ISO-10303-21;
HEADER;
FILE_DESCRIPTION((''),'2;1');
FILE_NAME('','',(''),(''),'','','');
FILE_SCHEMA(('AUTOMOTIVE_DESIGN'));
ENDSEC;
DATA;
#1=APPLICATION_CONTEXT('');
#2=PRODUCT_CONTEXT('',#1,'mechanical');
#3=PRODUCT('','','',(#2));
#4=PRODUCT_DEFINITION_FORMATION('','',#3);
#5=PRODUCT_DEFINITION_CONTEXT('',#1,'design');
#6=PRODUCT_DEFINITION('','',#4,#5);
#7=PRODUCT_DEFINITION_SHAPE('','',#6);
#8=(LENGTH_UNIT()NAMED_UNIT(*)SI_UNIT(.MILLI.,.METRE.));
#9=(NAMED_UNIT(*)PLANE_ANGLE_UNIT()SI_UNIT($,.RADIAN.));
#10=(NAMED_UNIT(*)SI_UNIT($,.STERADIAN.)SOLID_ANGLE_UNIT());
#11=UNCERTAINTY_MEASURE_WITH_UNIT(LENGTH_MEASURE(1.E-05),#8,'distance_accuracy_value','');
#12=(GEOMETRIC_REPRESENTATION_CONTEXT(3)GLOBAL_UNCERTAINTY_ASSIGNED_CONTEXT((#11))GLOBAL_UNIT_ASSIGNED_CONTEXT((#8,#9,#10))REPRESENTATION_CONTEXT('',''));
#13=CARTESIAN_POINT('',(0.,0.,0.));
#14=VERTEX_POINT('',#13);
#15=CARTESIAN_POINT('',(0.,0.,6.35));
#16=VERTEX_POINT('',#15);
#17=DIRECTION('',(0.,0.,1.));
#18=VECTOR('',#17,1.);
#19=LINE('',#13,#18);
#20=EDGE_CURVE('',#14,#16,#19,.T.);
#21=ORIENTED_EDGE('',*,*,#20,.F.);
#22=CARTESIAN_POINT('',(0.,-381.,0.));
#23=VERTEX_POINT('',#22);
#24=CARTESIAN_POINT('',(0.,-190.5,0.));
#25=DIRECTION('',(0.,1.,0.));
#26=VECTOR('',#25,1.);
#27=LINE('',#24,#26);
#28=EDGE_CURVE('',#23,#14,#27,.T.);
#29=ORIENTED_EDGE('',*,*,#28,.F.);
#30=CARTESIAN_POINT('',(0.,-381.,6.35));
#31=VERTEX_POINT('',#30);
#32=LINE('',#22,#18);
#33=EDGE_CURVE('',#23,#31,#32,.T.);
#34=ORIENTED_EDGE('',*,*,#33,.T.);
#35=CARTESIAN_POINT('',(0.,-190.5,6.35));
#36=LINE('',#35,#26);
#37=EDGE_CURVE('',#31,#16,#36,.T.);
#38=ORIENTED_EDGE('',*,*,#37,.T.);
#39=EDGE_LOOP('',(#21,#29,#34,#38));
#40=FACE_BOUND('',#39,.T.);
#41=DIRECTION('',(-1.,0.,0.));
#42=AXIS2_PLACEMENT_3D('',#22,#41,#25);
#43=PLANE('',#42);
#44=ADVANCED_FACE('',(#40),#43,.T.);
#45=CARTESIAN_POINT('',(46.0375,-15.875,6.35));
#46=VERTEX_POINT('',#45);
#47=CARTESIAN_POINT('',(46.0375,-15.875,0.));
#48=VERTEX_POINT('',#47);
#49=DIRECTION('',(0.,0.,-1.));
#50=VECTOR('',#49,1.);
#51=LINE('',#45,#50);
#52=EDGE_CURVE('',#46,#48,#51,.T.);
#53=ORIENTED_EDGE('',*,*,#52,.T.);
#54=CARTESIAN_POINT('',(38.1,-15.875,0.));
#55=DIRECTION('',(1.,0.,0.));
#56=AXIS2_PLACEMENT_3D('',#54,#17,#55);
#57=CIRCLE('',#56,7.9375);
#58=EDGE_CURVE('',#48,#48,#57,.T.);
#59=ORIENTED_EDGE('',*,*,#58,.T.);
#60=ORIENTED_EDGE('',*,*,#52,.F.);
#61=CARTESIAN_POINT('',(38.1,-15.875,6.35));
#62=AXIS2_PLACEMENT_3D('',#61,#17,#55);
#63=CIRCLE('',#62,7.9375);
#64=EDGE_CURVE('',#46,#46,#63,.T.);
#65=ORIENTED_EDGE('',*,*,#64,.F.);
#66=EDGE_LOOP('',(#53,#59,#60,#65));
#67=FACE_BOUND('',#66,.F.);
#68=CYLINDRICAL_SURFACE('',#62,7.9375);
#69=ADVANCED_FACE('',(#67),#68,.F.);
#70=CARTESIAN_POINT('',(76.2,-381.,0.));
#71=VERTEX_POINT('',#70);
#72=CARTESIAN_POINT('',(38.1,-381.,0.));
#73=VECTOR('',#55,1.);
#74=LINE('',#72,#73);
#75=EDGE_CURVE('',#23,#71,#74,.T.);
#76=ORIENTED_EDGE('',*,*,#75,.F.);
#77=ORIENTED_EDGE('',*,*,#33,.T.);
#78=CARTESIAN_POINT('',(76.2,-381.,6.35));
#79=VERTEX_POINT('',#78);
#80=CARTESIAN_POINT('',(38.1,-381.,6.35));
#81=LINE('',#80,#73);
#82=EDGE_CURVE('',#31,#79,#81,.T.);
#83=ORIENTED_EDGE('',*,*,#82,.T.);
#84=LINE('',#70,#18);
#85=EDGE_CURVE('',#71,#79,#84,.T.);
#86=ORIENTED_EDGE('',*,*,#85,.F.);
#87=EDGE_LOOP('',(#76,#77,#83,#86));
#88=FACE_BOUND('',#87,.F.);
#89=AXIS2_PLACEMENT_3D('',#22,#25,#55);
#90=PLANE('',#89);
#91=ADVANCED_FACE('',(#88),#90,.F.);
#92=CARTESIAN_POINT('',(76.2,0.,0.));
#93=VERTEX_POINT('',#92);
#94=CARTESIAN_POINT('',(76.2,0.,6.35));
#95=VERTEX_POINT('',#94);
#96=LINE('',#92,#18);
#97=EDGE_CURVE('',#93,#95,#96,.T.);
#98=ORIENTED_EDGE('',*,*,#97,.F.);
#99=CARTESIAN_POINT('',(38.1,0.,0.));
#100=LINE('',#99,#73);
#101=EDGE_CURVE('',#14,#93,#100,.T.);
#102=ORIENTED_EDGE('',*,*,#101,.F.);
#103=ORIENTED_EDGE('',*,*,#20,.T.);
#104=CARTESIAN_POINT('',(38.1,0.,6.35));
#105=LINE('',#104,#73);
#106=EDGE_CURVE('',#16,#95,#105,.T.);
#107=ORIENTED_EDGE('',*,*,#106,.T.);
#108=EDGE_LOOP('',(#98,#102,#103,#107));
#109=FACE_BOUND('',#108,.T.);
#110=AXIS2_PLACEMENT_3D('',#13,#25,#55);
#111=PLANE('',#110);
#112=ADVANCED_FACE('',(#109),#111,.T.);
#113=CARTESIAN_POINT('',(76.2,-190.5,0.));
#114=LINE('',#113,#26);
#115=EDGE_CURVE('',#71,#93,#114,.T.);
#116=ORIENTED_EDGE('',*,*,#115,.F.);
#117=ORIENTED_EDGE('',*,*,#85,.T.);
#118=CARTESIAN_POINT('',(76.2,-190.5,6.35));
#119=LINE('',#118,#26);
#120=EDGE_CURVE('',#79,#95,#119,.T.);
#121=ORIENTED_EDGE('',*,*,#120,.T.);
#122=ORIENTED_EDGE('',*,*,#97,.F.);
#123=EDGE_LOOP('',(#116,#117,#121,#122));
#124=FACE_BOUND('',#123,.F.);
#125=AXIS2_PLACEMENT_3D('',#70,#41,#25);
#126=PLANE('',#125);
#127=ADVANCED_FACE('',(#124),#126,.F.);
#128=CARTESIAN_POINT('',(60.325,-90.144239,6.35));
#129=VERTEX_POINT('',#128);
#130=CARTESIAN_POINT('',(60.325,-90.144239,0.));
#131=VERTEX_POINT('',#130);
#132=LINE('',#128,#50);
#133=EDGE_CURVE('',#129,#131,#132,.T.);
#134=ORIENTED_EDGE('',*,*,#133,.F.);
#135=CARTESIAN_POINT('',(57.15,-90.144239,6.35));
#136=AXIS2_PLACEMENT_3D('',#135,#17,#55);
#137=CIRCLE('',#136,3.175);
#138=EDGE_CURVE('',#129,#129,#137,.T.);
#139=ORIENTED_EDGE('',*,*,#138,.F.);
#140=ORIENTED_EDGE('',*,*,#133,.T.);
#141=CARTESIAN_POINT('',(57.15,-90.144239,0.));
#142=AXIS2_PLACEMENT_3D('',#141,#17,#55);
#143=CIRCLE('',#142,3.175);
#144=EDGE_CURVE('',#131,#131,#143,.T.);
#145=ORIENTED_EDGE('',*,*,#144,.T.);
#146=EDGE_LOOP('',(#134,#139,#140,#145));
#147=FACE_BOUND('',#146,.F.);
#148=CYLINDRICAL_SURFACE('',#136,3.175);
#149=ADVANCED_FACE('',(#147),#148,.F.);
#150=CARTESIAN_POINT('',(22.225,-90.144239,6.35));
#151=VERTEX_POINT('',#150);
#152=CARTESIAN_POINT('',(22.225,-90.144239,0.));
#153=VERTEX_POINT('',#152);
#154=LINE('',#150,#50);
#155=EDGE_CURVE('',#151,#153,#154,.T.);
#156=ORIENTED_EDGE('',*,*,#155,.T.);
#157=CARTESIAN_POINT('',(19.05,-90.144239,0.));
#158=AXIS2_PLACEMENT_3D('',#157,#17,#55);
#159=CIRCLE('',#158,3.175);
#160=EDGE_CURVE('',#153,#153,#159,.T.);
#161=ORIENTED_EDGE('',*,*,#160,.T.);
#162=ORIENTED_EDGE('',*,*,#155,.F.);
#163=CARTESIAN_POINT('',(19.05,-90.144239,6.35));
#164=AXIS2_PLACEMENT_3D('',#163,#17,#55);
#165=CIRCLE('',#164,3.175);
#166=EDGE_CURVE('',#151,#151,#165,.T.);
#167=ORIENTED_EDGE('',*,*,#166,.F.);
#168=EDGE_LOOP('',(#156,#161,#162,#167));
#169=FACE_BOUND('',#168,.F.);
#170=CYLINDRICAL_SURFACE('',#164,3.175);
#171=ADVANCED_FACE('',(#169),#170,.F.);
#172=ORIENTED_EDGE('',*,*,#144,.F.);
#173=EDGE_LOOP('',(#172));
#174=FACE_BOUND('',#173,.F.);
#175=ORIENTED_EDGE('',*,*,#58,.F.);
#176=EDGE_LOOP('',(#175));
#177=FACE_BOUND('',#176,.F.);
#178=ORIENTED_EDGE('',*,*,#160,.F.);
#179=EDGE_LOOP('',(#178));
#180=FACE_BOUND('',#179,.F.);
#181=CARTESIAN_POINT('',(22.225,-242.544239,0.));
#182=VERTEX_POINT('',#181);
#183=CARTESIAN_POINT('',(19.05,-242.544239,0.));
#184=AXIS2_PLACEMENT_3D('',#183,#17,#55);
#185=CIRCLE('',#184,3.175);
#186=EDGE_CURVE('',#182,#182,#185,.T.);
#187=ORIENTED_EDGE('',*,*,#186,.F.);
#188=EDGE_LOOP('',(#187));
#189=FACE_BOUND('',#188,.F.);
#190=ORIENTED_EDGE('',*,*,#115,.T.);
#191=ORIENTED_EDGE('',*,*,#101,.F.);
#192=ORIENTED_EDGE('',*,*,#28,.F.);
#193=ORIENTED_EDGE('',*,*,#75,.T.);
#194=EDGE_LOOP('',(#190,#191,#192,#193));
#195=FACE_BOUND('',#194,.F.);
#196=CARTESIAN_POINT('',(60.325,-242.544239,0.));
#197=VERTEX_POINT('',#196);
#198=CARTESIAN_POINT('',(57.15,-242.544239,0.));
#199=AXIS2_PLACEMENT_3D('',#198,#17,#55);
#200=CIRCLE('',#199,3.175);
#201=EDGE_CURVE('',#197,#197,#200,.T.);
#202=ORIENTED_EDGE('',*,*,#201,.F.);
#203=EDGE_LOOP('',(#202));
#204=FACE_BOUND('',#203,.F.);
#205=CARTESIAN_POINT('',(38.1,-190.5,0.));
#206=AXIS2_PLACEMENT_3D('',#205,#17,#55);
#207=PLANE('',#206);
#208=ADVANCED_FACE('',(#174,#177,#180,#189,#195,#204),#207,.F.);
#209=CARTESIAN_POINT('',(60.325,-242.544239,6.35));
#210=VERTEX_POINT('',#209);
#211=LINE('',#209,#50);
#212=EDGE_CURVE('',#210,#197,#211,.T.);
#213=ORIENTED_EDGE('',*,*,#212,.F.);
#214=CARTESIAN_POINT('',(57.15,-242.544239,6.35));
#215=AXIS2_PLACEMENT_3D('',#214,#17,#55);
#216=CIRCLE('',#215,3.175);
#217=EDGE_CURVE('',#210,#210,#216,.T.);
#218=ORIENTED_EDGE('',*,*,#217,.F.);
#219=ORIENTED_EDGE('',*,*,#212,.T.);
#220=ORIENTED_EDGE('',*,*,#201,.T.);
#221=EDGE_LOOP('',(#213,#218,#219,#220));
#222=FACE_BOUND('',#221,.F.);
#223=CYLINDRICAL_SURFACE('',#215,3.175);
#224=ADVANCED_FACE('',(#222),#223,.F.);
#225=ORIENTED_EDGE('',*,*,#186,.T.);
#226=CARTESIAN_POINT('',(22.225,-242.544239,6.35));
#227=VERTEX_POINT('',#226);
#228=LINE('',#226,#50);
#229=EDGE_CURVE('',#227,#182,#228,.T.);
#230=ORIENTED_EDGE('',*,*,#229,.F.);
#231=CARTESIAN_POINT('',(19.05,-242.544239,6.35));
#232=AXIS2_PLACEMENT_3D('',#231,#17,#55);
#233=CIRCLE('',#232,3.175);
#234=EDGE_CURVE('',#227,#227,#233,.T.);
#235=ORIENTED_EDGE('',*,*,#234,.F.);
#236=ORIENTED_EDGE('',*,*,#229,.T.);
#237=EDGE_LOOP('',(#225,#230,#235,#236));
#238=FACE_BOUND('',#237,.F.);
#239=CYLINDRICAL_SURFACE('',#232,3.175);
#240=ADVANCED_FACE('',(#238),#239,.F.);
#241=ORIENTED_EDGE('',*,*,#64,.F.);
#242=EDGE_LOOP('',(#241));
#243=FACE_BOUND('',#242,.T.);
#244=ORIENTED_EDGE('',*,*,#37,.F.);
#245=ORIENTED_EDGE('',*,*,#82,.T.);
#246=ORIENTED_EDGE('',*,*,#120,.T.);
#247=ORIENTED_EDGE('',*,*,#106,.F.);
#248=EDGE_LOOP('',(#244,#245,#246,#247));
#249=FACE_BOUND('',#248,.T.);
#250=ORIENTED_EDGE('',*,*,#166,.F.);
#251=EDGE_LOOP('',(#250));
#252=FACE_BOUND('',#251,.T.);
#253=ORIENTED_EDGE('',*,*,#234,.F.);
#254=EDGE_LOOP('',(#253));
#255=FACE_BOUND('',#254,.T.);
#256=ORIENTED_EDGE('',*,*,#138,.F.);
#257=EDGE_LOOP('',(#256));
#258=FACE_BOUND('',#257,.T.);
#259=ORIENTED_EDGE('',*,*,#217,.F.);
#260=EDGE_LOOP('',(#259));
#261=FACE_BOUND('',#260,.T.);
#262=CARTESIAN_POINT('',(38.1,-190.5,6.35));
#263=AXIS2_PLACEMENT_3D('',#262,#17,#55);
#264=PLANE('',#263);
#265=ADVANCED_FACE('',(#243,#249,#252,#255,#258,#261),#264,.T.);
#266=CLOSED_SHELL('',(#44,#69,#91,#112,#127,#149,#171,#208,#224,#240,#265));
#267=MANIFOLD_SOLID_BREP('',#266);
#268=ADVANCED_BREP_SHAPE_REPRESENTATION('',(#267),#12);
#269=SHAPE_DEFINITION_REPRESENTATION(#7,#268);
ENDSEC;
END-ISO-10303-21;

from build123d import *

# Parameters (mm, degrees)
F0_W     = 76.2
F0_H     = 381
F1_DEPTH = 6.35
F2_R     = 7.9375
F2_R_2   = 3.175
F3_DEPTH = 25.4


with BuildPart() as f1:
    # F0 (on Top) → F1 (new body)
    with BuildSketch(Plane.XY):
        with Locations((38.1, -190.5)):
            Rectangle(F0_W, F0_H)
    extrude(amount=F1_DEPTH)

    # F2 (on face) → F3 (cut)
    with BuildSketch(Plane.XY.offset(6.35)):
        with Locations((38.1, -15.875)):
            Circle(F2_R)
        with Locations((19.05, -90.144239)):
            Circle(F2_R_2)
        with Locations((19.05, -242.544239)):
            Circle(F2_R_2)
        with Locations((57.15, -90.144239)):
            Circle(F2_R_2)
        with Locations((57.15, -242.544239)):
            Circle(F2_R_2)
    extrude(amount=-F3_DEPTH, mode=Mode.SUBTRACT)


solid = f1.part
